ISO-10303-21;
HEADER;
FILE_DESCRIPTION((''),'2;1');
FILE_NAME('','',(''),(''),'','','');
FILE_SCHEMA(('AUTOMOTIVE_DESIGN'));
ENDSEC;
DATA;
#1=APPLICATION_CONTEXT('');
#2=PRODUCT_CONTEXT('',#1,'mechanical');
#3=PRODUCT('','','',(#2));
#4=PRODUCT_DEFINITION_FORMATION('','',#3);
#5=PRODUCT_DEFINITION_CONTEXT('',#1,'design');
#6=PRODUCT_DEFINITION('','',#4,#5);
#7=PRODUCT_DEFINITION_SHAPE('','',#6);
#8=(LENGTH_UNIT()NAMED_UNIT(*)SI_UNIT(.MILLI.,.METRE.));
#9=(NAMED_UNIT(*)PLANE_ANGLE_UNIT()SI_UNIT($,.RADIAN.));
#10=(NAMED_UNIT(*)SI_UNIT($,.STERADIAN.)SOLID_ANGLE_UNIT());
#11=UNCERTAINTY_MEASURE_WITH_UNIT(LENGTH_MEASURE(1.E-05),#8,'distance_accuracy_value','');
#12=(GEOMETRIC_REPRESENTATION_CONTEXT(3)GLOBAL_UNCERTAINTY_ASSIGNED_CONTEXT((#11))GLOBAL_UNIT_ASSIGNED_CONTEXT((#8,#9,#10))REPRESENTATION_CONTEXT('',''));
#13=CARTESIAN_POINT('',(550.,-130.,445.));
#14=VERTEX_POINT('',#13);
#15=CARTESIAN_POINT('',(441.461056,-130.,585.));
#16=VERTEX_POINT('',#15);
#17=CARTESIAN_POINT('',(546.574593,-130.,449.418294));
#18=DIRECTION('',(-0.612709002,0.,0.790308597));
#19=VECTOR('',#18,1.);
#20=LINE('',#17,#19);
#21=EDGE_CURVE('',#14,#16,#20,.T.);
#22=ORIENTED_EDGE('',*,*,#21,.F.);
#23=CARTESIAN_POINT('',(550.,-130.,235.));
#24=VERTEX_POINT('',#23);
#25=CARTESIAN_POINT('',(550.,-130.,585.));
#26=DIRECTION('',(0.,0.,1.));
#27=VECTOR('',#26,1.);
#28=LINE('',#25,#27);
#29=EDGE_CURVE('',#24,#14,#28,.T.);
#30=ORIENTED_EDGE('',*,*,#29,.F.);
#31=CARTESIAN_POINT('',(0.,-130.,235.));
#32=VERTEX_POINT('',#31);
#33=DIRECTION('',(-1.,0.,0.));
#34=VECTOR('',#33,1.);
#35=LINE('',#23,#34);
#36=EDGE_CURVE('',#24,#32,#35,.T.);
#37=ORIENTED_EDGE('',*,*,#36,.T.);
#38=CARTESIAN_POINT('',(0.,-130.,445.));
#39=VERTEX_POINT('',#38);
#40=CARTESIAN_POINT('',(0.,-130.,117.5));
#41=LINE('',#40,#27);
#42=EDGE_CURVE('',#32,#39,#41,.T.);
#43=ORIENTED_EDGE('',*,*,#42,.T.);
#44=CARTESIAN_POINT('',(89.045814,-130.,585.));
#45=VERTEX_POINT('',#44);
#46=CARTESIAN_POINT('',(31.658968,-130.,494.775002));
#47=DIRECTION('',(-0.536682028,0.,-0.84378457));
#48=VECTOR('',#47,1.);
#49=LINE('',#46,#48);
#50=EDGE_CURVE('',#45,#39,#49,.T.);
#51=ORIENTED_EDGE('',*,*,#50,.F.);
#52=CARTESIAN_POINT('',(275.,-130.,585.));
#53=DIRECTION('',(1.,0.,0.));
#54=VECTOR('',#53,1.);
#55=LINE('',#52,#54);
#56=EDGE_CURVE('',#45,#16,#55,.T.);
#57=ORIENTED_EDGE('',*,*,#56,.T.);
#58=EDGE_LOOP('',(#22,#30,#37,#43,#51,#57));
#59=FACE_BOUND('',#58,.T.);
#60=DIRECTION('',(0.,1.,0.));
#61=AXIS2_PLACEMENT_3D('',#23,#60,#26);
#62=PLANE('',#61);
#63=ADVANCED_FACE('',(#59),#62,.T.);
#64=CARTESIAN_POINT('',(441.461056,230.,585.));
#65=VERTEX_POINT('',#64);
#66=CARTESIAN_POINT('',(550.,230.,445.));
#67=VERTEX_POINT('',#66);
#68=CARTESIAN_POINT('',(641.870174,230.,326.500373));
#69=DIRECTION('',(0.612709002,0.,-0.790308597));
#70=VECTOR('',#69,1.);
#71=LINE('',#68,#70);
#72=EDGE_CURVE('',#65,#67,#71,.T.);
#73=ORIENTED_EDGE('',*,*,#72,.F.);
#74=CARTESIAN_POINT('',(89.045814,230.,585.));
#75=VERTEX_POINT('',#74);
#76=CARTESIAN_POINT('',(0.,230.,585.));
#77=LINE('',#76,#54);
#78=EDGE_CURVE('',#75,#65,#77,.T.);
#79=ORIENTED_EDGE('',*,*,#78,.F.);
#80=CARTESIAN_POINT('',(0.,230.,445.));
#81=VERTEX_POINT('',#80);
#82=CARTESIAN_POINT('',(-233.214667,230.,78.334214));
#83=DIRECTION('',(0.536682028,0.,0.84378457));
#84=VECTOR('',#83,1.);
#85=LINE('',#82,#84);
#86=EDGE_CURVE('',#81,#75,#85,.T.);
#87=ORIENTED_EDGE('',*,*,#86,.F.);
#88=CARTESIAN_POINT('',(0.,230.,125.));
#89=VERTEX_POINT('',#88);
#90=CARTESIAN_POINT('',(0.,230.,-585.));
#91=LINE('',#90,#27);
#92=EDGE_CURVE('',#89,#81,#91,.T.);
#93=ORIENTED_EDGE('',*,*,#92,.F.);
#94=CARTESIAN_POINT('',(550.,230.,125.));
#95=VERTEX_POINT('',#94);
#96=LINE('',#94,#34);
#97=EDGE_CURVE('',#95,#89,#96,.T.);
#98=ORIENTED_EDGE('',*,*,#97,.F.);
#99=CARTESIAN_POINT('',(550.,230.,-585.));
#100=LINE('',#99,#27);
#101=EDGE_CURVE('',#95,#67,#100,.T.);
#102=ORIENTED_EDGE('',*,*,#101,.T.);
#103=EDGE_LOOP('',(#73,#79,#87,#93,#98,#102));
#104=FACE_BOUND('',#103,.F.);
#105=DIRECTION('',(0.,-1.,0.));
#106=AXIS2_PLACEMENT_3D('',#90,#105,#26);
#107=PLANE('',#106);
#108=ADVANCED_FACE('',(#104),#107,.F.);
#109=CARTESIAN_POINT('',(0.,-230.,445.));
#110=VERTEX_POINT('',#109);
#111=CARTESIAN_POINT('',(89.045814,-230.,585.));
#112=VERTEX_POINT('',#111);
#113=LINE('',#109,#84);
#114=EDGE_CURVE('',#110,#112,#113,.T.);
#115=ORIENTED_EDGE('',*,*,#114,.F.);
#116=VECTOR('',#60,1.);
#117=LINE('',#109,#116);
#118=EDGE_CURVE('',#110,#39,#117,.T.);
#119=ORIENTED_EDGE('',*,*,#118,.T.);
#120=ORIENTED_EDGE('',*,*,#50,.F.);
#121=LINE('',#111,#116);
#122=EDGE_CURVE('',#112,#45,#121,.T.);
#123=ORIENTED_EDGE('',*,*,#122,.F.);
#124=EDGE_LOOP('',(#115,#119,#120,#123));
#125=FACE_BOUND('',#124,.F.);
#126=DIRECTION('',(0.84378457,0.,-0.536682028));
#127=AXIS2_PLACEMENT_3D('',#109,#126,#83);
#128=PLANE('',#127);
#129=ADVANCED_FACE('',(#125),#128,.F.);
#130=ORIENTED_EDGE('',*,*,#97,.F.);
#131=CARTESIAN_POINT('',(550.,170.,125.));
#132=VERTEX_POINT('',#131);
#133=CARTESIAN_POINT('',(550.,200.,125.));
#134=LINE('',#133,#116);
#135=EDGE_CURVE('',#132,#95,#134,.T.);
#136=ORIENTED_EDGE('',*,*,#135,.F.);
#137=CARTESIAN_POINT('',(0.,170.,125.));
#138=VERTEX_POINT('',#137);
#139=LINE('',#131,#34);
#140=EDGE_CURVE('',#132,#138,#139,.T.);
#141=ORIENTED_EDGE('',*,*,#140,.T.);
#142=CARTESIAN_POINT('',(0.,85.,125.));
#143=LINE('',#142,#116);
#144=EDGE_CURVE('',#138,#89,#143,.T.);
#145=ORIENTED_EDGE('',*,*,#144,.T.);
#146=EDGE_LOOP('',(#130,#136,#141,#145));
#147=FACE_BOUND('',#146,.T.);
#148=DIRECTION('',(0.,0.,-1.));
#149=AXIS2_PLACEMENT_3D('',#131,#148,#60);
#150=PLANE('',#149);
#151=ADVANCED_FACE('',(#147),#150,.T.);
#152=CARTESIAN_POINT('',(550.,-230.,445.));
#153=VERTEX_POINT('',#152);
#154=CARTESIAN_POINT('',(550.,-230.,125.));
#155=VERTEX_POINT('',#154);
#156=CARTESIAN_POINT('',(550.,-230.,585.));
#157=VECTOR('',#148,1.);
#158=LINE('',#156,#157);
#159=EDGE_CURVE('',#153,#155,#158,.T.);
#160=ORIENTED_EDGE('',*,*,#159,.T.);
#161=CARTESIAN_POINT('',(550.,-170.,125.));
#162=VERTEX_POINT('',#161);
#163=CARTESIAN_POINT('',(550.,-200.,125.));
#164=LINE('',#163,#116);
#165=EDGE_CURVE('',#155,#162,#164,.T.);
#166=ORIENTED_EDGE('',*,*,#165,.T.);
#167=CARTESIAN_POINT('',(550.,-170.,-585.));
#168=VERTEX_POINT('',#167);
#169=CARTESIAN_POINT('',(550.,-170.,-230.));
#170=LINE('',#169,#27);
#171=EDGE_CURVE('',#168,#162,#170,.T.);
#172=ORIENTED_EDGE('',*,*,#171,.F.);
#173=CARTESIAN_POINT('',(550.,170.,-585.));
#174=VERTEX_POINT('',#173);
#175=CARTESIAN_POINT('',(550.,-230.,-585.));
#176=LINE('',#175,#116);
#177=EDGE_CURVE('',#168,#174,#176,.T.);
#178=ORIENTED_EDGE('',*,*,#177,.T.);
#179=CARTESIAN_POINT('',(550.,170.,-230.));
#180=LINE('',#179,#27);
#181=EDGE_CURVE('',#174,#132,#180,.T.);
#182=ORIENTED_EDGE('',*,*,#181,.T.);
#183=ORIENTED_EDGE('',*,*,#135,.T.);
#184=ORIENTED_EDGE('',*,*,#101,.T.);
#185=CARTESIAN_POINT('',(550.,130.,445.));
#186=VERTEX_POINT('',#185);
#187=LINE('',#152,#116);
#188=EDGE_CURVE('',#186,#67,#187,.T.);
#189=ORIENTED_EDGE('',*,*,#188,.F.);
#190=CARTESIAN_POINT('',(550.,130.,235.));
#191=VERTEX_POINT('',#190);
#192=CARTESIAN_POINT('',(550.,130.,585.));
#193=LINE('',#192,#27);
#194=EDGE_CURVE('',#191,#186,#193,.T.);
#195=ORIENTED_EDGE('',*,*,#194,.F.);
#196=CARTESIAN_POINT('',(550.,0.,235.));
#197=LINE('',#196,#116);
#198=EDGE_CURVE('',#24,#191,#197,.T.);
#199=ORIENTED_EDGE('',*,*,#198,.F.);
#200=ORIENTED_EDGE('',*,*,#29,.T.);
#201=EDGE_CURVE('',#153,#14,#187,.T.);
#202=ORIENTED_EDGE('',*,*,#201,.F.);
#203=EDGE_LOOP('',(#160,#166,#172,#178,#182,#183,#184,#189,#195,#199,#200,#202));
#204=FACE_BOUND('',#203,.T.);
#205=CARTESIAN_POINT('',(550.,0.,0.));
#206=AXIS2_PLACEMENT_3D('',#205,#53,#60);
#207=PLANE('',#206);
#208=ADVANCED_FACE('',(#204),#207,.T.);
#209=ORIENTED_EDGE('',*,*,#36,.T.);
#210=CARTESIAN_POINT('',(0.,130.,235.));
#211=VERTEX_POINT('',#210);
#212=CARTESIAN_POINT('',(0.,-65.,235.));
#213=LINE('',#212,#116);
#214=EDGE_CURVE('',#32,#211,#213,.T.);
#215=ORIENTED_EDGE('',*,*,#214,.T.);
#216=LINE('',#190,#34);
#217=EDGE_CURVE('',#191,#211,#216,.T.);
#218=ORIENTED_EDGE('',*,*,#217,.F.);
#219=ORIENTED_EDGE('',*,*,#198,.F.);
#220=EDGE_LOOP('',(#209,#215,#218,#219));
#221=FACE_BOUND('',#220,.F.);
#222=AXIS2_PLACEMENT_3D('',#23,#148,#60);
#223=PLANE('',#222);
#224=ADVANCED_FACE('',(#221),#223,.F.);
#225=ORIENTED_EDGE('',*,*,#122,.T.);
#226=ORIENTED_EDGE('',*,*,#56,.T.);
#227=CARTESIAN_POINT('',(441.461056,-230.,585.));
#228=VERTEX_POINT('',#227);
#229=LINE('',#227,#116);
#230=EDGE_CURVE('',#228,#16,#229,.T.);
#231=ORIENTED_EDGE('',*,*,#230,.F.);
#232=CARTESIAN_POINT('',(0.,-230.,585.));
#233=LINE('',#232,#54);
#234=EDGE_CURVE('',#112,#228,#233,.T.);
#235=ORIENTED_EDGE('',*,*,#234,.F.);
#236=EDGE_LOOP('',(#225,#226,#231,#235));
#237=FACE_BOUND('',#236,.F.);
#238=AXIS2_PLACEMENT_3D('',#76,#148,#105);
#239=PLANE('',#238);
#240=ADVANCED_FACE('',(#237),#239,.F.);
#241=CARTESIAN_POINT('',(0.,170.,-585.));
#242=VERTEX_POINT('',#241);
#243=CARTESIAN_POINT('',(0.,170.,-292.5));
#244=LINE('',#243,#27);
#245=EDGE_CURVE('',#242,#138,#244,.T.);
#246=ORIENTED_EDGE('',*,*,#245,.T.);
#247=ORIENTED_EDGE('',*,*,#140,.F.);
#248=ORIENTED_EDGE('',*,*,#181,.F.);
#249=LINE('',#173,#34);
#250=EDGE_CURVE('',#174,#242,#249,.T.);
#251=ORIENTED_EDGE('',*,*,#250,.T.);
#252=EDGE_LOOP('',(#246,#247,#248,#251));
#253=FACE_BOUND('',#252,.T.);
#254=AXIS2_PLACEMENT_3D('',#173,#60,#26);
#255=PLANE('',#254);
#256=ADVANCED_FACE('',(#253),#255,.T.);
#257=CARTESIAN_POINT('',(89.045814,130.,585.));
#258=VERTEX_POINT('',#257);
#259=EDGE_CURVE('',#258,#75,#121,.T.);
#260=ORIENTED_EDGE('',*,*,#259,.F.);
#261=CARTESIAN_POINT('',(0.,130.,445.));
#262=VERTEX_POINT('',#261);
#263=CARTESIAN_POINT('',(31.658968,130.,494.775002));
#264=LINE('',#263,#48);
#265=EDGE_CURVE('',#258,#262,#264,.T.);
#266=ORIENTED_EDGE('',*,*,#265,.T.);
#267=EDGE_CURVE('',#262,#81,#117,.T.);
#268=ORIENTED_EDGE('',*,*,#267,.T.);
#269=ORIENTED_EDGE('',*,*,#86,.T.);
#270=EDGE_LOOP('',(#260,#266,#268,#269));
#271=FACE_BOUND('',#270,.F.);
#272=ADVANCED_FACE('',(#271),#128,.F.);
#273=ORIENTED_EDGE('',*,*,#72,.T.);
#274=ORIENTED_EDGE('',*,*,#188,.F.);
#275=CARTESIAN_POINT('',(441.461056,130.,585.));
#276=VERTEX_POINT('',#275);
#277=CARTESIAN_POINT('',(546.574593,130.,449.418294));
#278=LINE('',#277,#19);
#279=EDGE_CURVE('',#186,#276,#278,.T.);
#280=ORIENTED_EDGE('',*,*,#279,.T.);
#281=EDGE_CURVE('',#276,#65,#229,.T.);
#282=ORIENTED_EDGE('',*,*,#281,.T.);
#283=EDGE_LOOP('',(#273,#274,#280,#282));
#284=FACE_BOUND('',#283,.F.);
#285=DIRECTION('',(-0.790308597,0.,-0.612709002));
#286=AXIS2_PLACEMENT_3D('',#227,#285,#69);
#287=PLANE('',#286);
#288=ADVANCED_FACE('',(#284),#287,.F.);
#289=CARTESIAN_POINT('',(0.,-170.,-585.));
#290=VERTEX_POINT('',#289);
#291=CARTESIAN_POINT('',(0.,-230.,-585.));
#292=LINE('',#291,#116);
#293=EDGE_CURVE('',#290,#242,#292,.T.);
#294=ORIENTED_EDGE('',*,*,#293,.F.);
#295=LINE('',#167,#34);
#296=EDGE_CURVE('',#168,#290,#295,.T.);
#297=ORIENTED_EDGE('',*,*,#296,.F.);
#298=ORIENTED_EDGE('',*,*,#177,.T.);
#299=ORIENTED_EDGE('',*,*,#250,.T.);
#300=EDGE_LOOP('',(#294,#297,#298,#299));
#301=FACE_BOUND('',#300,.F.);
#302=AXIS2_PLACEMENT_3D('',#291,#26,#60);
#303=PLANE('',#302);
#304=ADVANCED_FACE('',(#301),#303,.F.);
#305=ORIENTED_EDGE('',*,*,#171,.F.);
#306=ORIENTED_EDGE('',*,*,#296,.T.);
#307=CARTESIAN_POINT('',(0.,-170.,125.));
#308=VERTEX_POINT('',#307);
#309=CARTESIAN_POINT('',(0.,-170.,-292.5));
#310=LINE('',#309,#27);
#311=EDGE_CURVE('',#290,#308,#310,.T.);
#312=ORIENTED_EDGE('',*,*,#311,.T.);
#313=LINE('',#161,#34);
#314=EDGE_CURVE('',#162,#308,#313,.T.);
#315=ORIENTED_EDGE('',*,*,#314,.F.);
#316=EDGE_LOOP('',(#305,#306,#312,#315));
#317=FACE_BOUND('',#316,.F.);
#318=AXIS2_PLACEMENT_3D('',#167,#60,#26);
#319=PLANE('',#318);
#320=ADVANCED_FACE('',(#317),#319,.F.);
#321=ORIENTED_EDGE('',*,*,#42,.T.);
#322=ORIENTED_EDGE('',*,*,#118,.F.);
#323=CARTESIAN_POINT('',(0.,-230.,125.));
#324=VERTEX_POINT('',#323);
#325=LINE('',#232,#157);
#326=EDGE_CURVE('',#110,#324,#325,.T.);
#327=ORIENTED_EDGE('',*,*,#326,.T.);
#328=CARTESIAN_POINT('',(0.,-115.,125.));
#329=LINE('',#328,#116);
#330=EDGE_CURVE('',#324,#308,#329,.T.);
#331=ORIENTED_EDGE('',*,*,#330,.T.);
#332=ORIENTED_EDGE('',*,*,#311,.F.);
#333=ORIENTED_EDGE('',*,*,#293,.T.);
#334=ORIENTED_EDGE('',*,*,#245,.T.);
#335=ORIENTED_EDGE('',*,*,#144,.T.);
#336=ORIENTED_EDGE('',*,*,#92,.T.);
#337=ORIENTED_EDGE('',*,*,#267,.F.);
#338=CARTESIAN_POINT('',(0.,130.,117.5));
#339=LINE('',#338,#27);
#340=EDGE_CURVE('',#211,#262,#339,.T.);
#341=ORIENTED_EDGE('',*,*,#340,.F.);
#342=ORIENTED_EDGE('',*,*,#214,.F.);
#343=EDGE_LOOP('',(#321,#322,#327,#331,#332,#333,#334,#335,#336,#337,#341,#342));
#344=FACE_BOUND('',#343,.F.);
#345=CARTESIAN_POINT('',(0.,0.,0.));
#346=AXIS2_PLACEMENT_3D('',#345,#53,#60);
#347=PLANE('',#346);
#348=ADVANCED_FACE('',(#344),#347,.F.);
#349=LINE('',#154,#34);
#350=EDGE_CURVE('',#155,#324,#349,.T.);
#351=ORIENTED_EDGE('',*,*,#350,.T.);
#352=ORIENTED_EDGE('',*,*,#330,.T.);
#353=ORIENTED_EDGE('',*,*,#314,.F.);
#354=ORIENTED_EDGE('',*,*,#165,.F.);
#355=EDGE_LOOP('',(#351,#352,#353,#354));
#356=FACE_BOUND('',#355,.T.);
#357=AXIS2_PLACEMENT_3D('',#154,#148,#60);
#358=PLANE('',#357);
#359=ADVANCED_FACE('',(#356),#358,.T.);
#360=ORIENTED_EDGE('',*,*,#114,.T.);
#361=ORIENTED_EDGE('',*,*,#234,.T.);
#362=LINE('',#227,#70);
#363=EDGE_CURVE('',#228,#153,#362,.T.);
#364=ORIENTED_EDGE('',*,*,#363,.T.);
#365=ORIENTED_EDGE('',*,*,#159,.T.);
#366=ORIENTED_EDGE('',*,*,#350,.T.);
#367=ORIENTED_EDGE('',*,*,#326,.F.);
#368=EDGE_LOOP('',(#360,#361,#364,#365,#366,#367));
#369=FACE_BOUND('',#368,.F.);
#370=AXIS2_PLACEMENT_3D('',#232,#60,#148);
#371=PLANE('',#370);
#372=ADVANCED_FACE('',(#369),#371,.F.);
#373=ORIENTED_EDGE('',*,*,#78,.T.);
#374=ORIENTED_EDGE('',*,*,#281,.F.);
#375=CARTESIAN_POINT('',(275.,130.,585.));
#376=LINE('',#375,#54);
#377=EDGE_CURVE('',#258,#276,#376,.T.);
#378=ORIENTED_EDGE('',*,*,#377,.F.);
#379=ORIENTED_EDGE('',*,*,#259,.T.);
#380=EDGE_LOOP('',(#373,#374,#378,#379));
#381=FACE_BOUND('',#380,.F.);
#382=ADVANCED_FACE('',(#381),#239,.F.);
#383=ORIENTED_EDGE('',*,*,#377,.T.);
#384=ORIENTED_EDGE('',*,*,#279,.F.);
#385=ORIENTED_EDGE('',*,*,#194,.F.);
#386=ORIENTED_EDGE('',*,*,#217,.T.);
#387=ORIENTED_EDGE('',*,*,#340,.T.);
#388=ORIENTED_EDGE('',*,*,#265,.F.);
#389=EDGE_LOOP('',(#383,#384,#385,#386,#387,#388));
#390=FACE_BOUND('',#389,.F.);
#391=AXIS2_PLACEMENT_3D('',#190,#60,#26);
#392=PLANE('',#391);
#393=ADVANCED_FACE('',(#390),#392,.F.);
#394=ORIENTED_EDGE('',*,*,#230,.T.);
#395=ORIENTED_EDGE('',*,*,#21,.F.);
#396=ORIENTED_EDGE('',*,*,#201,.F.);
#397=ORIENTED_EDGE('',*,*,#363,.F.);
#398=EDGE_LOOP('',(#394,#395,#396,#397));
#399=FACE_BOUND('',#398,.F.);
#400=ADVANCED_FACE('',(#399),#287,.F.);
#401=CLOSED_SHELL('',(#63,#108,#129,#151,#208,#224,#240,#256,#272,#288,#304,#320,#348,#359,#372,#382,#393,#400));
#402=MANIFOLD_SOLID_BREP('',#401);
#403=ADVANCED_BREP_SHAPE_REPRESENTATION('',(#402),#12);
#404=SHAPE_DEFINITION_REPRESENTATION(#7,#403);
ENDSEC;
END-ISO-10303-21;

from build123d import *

# Parameters (mm, degrees)
F1_DEPTH  = 550
F2_W      = 60
F2_H      = 710
F3_DEPTH  = 550.001
F4_W      = 60
F4_H      = 710
F5_DEPTH  = 550.001
F6_W      = 260
F6_H      = 700
F7_DEPTH  = 550.001
F9_DEPTH  = 460.001
F11_DEPTH = 460.001


with BuildPart() as f1:
    # F0 (on Right) → F1 (new body)
    with BuildSketch(Plane.YZ):
        Polygon((-230, 585), (-230, -585), (230, -585), (230, 125), (230, 585), align=None)
    extrude(amount=F1_DEPTH)

    # F2 (on face) → F3 (cut, through all)
    with BuildSketch(Plane.YZ.offset(550)):
        with Locations((-200, -230)):
            Rectangle(F2_W, F2_H)
    extrude(amount=-F3_DEPTH, mode=Mode.SUBTRACT)

    # F4 (on face) → F5 (cut, through all)
    with BuildSketch(Plane.YZ.offset(550)):
        with Locations((200, -230)):
            Rectangle(F4_W, F4_H)
    extrude(amount=-F5_DEPTH, mode=Mode.SUBTRACT)

    # F6 (on face) → F7 (cut, through all)
    with BuildSketch(Plane.YZ.offset(550)):
        with Locations((0, 585)):
            Rectangle(F6_W, F6_H)
    extrude(amount=-F7_DEPTH, mode=Mode.SUBTRACT)

    # F8 (on face) → F9 (cut, through all)
    with BuildSketch(Plane.XZ.offset(230)):
        Polygon((0, 445), (89.0458141333, 585), (0, 585), align=None)
    extrude(amount=-F9_DEPTH, mode=Mode.SUBTRACT)

    # F10 (on face) → F11 (cut, through all)
    with BuildSketch(Plane.XZ.offset(230)):
        Polygon((550, 585), (441.4610564709, 585), (550, 445), align=None)
    extrude(amount=-F11_DEPTH, mode=Mode.SUBTRACT)


solid = f1.part
